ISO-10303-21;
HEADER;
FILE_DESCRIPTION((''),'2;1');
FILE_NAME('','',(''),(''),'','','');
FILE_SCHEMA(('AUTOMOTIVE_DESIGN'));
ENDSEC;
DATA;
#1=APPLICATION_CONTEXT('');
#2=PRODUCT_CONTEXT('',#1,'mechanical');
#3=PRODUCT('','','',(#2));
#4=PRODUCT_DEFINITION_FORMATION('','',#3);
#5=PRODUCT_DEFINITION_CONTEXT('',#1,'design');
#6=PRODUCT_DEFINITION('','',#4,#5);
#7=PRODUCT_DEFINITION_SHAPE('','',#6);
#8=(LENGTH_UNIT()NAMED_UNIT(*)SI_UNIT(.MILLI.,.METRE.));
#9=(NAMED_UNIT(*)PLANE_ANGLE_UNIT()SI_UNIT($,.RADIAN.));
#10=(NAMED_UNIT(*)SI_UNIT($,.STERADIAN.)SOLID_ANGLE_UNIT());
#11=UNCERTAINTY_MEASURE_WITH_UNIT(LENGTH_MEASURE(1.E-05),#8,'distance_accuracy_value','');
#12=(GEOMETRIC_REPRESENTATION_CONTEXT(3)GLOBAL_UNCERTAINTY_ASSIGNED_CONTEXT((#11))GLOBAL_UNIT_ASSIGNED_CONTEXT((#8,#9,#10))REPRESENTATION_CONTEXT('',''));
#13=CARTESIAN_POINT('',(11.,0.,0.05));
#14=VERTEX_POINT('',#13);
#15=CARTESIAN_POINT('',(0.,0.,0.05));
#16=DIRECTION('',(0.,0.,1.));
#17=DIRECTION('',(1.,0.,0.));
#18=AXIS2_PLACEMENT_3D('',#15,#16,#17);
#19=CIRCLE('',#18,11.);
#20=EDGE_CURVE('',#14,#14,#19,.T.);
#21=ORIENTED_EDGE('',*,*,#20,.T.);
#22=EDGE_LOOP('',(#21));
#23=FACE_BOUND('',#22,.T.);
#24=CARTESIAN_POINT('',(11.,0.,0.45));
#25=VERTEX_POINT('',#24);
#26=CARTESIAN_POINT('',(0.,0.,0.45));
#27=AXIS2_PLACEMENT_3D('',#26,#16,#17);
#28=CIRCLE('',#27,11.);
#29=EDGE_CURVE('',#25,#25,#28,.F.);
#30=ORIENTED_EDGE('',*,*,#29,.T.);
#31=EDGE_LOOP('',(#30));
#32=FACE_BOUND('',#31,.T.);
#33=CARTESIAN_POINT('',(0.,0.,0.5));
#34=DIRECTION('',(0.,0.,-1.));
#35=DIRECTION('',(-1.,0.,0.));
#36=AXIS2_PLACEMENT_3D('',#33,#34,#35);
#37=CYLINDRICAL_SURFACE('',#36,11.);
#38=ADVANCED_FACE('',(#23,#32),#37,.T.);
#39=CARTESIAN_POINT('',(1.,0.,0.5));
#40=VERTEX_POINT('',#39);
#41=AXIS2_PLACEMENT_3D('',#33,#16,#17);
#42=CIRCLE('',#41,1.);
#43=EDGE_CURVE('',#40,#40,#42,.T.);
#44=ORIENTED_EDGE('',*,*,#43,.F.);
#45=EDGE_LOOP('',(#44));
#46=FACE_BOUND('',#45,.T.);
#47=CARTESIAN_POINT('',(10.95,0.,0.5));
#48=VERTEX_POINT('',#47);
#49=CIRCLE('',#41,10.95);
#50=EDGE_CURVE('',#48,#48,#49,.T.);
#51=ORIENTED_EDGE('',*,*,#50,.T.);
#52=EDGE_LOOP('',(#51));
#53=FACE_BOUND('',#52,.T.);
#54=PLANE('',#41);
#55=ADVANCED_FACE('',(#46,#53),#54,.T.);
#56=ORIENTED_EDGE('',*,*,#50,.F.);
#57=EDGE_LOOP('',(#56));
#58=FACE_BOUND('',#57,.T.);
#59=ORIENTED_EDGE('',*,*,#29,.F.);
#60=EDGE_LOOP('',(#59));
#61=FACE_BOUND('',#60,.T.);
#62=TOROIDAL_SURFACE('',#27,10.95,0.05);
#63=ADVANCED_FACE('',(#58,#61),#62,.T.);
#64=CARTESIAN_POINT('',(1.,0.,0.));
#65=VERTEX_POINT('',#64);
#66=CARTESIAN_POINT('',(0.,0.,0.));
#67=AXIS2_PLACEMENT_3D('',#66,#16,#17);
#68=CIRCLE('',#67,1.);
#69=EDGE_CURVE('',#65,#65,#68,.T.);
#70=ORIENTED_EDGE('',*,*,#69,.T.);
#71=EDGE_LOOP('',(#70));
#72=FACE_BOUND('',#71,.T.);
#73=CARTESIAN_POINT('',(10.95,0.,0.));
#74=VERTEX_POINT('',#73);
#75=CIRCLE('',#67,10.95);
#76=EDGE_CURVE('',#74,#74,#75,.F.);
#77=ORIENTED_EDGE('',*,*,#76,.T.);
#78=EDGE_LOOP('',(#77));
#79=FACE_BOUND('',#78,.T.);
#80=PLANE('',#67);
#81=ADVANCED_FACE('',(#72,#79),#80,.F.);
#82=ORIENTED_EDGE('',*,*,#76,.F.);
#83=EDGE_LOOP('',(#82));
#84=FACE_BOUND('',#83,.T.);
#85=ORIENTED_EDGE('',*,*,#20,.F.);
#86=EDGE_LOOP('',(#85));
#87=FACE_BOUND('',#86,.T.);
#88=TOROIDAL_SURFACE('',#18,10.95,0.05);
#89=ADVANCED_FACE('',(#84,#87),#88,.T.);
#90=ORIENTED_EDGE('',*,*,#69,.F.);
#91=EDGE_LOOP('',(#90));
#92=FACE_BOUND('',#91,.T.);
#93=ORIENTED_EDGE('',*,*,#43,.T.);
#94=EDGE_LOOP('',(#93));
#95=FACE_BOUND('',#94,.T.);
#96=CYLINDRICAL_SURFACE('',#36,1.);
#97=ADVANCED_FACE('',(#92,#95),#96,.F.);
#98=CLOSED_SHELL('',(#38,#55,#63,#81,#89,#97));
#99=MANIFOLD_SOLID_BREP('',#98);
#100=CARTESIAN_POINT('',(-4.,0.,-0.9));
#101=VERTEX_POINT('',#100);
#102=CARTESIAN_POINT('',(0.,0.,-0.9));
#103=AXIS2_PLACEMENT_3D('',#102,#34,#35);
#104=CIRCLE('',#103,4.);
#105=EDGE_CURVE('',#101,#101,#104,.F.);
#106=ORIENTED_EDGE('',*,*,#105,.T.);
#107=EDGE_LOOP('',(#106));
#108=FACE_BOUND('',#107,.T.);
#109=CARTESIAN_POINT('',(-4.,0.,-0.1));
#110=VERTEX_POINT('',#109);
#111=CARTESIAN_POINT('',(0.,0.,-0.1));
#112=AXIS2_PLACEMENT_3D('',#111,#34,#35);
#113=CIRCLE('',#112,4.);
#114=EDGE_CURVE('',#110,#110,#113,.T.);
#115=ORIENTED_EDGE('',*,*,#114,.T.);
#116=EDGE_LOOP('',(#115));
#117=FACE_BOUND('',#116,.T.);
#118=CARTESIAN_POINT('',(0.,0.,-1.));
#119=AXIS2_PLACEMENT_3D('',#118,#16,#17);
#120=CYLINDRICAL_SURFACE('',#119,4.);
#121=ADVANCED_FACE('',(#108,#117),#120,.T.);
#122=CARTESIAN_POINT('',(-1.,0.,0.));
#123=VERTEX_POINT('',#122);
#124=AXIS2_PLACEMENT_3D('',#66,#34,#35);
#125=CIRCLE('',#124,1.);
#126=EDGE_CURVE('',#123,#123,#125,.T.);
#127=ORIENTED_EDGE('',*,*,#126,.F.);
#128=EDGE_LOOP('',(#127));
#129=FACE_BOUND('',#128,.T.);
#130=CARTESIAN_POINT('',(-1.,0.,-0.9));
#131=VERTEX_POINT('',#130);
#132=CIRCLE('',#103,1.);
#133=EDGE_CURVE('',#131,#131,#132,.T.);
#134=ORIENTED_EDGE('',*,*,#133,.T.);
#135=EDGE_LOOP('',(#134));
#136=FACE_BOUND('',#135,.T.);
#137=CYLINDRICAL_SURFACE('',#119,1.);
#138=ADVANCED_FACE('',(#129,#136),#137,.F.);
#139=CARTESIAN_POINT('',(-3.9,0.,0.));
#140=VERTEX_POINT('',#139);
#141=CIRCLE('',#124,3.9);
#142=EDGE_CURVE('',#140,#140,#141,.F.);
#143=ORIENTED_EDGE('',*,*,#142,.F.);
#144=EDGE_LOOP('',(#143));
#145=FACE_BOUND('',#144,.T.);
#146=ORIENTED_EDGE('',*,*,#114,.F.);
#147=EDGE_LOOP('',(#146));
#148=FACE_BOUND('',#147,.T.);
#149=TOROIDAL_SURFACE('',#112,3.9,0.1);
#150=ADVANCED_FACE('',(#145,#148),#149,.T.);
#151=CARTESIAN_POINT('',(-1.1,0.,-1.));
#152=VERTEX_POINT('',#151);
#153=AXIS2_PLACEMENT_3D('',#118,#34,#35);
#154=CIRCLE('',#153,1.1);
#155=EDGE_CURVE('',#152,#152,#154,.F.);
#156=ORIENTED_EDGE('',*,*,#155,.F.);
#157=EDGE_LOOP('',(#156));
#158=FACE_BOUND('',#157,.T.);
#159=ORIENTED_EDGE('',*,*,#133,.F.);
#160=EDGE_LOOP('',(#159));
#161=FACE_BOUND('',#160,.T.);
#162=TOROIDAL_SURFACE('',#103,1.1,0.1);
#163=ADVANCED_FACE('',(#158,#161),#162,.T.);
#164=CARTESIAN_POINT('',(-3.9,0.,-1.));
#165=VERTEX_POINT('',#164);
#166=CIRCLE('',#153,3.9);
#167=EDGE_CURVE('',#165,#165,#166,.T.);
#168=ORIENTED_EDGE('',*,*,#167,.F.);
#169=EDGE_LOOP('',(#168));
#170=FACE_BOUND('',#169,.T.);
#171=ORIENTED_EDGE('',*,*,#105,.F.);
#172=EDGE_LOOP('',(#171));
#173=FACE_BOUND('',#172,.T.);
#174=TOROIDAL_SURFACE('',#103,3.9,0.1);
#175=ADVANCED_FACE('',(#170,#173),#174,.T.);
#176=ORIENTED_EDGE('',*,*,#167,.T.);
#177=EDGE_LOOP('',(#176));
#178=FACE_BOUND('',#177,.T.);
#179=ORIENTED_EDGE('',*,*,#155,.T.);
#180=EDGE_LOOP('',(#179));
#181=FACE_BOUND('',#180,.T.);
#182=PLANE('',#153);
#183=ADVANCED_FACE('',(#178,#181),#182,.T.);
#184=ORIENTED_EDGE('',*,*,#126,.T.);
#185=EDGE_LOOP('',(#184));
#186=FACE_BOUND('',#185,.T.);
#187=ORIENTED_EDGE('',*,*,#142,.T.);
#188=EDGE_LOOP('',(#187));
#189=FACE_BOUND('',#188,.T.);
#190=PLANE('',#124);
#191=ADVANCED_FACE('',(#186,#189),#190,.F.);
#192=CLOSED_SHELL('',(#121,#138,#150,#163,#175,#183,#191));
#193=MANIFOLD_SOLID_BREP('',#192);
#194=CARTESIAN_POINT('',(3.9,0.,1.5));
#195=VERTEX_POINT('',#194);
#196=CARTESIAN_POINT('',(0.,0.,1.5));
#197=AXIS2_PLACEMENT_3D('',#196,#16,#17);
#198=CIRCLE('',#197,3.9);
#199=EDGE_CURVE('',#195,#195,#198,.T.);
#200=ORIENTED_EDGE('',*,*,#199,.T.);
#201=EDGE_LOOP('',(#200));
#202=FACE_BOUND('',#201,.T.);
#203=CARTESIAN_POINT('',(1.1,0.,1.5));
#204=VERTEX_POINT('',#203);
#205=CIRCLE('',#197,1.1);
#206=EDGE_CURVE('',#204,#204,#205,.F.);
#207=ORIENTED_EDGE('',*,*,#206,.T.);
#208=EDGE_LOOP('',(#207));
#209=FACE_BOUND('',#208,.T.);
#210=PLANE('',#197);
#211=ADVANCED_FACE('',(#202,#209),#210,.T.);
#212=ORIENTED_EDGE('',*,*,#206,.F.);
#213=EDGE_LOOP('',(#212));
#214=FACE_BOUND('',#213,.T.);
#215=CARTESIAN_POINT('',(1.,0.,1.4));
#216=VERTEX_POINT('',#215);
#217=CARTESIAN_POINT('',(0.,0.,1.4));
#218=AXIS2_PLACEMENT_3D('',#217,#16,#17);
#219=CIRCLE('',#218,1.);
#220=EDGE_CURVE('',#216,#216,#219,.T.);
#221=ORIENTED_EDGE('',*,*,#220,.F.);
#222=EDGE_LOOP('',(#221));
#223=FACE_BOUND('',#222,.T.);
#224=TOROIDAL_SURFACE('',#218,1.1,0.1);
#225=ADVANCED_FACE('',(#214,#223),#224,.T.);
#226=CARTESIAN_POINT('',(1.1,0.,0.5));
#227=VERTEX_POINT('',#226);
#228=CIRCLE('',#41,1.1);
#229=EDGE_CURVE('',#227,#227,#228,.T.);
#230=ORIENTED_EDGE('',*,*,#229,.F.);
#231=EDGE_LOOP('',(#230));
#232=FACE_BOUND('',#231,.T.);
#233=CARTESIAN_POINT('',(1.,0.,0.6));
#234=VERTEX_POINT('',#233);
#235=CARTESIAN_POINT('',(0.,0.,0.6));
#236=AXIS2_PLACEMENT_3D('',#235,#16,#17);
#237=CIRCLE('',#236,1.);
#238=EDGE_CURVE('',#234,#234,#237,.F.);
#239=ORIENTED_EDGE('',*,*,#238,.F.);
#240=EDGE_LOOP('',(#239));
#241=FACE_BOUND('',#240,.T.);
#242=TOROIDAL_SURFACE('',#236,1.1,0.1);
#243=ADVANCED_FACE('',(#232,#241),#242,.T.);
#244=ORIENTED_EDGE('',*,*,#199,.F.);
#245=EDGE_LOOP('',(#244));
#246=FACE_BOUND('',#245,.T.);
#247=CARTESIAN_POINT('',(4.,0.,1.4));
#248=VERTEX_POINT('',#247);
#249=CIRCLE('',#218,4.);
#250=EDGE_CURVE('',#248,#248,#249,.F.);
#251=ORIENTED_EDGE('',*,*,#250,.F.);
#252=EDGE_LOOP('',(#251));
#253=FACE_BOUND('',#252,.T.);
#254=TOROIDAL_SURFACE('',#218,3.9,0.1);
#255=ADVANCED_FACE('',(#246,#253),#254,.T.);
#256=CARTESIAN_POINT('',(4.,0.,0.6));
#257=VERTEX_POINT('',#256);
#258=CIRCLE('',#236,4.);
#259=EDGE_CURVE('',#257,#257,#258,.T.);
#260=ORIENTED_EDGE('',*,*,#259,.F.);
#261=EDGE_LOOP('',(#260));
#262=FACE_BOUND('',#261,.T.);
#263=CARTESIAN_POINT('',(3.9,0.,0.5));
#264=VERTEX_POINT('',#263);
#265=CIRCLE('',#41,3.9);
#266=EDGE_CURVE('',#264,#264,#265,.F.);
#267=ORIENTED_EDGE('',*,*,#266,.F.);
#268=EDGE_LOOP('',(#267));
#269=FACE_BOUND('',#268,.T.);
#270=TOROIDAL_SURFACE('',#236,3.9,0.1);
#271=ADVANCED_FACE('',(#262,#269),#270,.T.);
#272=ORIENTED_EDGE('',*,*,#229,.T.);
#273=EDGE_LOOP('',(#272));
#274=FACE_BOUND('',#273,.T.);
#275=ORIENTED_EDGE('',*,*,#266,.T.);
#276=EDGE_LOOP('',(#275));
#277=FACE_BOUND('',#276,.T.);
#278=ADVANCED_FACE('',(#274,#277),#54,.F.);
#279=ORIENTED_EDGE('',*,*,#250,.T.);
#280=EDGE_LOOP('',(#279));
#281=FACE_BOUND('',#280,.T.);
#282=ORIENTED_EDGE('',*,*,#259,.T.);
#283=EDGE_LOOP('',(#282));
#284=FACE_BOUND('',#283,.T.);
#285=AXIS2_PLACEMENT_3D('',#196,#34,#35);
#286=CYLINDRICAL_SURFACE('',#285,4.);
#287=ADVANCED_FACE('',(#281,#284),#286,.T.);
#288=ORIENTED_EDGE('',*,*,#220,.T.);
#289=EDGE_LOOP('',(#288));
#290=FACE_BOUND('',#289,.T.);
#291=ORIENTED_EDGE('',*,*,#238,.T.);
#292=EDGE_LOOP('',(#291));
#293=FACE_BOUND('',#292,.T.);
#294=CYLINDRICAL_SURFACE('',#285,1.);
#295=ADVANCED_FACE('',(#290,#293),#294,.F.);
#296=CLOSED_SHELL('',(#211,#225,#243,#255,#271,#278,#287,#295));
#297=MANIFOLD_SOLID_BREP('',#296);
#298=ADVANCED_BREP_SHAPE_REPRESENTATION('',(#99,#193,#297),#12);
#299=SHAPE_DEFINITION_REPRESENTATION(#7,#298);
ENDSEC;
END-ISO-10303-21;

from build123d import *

# Parameters (mm, degrees)
SKETCH2_R           = 11
SKETCH2_R_2         = 1
BOSS_EXTRUDE1_DEPTH = 0.5
SKETCH3_R           = 4
SKETCH3_R_2         = 1
BOSS_EXTRUDE2_DEPTH = 1
SKETCH4_R           = 4
SKETCH4_R_2         = 1
BOSS_EXTRUDE3_DEPTH = 1
FILLET1_R           = 0.1
FILLET2_R           = 0.1
FILLET3_R           = 0.05


with BuildPart() as part:
    # Sketch2 → Boss-Extrude1 (new body)
    with BuildSketch(Plane.XY):
        Circle(SKETCH2_R)
        Circle(SKETCH2_R_2, mode=Mode.SUBTRACT)
    extrude(amount=BOSS_EXTRUDE1_DEPTH)

    # Fillet3
    fillet3_edges = [part.edges().sort_by_distance(p)[0] for p in [
        (-11, 0, 0),
        (-11, 0, 0.5),
    ]]
    fillet(fillet3_edges, radius=FILLET3_R)


with BuildPart() as body_2:
    # Sketch3 → Boss-Extrude2 (new body)
    with BuildSketch(Plane.XY.offset(0.5)):
        Circle(SKETCH3_R)
        Circle(SKETCH3_R_2, mode=Mode.SUBTRACT)
    extrude(amount=BOSS_EXTRUDE2_DEPTH)

    # Fillet2
    fillet2_edges = [body_2.edges().sort_by_distance(p)[0] for p in [
        (-4, 0, 0.5),
        (-4, 0, 1.5),
        (-1, 0, 0.5),
        (-1, 0, 1.5),
    ]]
    fillet(fillet2_edges, radius=FILLET2_R)


with BuildPart() as body_3:
    # Sketch4 → Boss-Extrude3 (new body)
    with BuildSketch(Plane(origin=(0, 0, 0), x_dir=(-1, 0, 0), z_dir=(0, 0, -1))):
        Circle(SKETCH4_R)
        Circle(SKETCH4_R_2, mode=Mode.SUBTRACT)
    extrude(amount=BOSS_EXTRUDE3_DEPTH)

    # Fillet1
    fillet1_edges = [body_3.edges().sort_by_distance(p)[0] for p in [
        (4, 0, 0),
        (4, 0, -1),
        (1, 0, -1),
    ]]
    fillet(fillet1_edges, radius=FILLET1_R)


solid = Compound([part.part, body_2.part, body_3.part])
